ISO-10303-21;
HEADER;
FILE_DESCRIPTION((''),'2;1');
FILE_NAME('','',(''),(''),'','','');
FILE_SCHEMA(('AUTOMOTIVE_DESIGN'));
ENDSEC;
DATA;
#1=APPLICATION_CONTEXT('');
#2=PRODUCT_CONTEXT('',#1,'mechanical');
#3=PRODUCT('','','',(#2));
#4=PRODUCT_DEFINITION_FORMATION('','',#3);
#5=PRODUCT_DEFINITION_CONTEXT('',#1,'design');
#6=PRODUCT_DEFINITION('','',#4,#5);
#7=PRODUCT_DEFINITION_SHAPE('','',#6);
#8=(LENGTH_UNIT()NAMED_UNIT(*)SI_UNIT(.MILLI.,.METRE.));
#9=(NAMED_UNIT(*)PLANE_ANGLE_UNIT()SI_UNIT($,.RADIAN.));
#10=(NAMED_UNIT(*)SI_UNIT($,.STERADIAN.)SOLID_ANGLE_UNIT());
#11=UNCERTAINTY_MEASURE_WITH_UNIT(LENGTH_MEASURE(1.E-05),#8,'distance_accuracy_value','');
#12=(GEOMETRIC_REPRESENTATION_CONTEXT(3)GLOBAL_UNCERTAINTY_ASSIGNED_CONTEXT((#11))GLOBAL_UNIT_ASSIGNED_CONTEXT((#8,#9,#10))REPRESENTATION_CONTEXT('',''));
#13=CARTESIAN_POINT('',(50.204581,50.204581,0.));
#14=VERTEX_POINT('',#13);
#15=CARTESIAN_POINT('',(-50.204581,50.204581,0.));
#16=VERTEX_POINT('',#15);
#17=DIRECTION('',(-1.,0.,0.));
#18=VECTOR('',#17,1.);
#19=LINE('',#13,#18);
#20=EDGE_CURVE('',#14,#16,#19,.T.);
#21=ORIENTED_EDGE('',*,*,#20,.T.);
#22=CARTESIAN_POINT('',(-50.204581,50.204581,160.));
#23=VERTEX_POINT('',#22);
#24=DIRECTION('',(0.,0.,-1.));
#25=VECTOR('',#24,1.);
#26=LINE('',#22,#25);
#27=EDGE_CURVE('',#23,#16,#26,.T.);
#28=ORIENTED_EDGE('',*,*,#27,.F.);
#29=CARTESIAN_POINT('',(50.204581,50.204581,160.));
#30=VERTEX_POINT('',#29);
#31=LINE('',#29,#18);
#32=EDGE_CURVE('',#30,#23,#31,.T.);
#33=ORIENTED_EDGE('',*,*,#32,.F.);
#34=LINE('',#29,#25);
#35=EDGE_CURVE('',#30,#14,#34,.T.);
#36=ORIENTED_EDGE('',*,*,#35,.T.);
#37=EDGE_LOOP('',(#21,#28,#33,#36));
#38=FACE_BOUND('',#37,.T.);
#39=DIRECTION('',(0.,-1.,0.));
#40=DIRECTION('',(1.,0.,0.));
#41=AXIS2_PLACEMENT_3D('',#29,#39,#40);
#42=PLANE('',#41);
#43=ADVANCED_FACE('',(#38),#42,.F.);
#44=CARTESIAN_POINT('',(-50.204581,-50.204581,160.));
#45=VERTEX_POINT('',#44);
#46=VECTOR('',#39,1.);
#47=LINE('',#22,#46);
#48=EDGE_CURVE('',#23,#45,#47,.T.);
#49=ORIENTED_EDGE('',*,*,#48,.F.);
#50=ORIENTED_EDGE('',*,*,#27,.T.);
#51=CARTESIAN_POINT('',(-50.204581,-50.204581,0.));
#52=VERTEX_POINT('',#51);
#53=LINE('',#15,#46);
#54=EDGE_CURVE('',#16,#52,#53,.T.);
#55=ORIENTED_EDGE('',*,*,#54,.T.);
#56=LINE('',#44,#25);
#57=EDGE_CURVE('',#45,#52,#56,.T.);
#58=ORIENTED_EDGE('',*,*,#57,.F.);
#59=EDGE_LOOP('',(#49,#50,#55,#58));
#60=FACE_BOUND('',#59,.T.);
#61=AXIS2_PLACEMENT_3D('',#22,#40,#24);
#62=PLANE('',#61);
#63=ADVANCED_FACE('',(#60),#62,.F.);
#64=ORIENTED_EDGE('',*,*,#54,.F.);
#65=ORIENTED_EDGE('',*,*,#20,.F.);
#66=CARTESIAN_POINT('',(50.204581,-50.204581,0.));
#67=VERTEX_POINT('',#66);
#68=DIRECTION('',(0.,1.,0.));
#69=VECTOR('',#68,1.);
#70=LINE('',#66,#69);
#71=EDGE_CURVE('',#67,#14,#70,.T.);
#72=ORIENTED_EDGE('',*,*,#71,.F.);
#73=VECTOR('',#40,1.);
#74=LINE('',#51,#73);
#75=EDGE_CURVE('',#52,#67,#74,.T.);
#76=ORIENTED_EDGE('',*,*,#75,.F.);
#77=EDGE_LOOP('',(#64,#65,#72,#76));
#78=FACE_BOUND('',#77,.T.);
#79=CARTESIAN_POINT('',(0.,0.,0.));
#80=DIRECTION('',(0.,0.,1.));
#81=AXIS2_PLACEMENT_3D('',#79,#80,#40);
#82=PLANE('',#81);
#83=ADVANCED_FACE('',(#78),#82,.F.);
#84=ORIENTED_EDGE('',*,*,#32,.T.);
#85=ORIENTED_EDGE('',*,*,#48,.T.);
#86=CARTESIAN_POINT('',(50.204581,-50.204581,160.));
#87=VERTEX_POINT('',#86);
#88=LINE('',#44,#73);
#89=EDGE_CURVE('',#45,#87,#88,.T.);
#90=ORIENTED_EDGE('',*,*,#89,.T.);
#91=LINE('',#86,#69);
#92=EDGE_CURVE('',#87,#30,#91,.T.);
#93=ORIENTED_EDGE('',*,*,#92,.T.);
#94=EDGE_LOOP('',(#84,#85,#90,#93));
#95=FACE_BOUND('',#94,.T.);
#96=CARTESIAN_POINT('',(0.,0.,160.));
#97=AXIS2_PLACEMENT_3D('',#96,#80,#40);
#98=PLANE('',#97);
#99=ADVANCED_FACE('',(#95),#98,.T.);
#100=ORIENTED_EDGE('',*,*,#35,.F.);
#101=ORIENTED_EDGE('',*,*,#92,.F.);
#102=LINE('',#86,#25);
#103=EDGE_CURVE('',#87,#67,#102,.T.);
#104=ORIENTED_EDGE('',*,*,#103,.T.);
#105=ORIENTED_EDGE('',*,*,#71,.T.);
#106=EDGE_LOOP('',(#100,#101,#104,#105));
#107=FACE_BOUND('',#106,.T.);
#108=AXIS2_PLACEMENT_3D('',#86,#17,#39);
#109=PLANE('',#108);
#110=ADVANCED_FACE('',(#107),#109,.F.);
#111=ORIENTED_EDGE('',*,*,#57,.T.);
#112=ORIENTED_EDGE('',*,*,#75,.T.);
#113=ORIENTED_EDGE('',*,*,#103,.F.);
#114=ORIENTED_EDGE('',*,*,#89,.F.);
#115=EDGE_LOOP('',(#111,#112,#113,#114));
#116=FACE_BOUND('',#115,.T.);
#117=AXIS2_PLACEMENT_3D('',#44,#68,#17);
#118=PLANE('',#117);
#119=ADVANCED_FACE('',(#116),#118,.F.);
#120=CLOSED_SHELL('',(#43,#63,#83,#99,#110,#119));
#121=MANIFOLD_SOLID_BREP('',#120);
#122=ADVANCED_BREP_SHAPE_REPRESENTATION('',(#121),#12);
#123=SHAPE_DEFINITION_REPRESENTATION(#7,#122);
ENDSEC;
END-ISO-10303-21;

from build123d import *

# Parameters (mm, degrees)
SCHIZZO1_W                   = 100.409162928
SCHIZZO1_H                   = 100.409162928
ESTRUSIONE_ESTRUSIONE1_DEPTH = 160


with BuildPart() as part:
    # Schizzo1 → Estrusione-Estrusione1 (new body)
    with BuildSketch(Plane.XY):
        Rectangle(SCHIZZO1_W, SCHIZZO1_H)
    extrude(amount=ESTRUSIONE_ESTRUSIONE1_DEPTH)


solid = part.part
